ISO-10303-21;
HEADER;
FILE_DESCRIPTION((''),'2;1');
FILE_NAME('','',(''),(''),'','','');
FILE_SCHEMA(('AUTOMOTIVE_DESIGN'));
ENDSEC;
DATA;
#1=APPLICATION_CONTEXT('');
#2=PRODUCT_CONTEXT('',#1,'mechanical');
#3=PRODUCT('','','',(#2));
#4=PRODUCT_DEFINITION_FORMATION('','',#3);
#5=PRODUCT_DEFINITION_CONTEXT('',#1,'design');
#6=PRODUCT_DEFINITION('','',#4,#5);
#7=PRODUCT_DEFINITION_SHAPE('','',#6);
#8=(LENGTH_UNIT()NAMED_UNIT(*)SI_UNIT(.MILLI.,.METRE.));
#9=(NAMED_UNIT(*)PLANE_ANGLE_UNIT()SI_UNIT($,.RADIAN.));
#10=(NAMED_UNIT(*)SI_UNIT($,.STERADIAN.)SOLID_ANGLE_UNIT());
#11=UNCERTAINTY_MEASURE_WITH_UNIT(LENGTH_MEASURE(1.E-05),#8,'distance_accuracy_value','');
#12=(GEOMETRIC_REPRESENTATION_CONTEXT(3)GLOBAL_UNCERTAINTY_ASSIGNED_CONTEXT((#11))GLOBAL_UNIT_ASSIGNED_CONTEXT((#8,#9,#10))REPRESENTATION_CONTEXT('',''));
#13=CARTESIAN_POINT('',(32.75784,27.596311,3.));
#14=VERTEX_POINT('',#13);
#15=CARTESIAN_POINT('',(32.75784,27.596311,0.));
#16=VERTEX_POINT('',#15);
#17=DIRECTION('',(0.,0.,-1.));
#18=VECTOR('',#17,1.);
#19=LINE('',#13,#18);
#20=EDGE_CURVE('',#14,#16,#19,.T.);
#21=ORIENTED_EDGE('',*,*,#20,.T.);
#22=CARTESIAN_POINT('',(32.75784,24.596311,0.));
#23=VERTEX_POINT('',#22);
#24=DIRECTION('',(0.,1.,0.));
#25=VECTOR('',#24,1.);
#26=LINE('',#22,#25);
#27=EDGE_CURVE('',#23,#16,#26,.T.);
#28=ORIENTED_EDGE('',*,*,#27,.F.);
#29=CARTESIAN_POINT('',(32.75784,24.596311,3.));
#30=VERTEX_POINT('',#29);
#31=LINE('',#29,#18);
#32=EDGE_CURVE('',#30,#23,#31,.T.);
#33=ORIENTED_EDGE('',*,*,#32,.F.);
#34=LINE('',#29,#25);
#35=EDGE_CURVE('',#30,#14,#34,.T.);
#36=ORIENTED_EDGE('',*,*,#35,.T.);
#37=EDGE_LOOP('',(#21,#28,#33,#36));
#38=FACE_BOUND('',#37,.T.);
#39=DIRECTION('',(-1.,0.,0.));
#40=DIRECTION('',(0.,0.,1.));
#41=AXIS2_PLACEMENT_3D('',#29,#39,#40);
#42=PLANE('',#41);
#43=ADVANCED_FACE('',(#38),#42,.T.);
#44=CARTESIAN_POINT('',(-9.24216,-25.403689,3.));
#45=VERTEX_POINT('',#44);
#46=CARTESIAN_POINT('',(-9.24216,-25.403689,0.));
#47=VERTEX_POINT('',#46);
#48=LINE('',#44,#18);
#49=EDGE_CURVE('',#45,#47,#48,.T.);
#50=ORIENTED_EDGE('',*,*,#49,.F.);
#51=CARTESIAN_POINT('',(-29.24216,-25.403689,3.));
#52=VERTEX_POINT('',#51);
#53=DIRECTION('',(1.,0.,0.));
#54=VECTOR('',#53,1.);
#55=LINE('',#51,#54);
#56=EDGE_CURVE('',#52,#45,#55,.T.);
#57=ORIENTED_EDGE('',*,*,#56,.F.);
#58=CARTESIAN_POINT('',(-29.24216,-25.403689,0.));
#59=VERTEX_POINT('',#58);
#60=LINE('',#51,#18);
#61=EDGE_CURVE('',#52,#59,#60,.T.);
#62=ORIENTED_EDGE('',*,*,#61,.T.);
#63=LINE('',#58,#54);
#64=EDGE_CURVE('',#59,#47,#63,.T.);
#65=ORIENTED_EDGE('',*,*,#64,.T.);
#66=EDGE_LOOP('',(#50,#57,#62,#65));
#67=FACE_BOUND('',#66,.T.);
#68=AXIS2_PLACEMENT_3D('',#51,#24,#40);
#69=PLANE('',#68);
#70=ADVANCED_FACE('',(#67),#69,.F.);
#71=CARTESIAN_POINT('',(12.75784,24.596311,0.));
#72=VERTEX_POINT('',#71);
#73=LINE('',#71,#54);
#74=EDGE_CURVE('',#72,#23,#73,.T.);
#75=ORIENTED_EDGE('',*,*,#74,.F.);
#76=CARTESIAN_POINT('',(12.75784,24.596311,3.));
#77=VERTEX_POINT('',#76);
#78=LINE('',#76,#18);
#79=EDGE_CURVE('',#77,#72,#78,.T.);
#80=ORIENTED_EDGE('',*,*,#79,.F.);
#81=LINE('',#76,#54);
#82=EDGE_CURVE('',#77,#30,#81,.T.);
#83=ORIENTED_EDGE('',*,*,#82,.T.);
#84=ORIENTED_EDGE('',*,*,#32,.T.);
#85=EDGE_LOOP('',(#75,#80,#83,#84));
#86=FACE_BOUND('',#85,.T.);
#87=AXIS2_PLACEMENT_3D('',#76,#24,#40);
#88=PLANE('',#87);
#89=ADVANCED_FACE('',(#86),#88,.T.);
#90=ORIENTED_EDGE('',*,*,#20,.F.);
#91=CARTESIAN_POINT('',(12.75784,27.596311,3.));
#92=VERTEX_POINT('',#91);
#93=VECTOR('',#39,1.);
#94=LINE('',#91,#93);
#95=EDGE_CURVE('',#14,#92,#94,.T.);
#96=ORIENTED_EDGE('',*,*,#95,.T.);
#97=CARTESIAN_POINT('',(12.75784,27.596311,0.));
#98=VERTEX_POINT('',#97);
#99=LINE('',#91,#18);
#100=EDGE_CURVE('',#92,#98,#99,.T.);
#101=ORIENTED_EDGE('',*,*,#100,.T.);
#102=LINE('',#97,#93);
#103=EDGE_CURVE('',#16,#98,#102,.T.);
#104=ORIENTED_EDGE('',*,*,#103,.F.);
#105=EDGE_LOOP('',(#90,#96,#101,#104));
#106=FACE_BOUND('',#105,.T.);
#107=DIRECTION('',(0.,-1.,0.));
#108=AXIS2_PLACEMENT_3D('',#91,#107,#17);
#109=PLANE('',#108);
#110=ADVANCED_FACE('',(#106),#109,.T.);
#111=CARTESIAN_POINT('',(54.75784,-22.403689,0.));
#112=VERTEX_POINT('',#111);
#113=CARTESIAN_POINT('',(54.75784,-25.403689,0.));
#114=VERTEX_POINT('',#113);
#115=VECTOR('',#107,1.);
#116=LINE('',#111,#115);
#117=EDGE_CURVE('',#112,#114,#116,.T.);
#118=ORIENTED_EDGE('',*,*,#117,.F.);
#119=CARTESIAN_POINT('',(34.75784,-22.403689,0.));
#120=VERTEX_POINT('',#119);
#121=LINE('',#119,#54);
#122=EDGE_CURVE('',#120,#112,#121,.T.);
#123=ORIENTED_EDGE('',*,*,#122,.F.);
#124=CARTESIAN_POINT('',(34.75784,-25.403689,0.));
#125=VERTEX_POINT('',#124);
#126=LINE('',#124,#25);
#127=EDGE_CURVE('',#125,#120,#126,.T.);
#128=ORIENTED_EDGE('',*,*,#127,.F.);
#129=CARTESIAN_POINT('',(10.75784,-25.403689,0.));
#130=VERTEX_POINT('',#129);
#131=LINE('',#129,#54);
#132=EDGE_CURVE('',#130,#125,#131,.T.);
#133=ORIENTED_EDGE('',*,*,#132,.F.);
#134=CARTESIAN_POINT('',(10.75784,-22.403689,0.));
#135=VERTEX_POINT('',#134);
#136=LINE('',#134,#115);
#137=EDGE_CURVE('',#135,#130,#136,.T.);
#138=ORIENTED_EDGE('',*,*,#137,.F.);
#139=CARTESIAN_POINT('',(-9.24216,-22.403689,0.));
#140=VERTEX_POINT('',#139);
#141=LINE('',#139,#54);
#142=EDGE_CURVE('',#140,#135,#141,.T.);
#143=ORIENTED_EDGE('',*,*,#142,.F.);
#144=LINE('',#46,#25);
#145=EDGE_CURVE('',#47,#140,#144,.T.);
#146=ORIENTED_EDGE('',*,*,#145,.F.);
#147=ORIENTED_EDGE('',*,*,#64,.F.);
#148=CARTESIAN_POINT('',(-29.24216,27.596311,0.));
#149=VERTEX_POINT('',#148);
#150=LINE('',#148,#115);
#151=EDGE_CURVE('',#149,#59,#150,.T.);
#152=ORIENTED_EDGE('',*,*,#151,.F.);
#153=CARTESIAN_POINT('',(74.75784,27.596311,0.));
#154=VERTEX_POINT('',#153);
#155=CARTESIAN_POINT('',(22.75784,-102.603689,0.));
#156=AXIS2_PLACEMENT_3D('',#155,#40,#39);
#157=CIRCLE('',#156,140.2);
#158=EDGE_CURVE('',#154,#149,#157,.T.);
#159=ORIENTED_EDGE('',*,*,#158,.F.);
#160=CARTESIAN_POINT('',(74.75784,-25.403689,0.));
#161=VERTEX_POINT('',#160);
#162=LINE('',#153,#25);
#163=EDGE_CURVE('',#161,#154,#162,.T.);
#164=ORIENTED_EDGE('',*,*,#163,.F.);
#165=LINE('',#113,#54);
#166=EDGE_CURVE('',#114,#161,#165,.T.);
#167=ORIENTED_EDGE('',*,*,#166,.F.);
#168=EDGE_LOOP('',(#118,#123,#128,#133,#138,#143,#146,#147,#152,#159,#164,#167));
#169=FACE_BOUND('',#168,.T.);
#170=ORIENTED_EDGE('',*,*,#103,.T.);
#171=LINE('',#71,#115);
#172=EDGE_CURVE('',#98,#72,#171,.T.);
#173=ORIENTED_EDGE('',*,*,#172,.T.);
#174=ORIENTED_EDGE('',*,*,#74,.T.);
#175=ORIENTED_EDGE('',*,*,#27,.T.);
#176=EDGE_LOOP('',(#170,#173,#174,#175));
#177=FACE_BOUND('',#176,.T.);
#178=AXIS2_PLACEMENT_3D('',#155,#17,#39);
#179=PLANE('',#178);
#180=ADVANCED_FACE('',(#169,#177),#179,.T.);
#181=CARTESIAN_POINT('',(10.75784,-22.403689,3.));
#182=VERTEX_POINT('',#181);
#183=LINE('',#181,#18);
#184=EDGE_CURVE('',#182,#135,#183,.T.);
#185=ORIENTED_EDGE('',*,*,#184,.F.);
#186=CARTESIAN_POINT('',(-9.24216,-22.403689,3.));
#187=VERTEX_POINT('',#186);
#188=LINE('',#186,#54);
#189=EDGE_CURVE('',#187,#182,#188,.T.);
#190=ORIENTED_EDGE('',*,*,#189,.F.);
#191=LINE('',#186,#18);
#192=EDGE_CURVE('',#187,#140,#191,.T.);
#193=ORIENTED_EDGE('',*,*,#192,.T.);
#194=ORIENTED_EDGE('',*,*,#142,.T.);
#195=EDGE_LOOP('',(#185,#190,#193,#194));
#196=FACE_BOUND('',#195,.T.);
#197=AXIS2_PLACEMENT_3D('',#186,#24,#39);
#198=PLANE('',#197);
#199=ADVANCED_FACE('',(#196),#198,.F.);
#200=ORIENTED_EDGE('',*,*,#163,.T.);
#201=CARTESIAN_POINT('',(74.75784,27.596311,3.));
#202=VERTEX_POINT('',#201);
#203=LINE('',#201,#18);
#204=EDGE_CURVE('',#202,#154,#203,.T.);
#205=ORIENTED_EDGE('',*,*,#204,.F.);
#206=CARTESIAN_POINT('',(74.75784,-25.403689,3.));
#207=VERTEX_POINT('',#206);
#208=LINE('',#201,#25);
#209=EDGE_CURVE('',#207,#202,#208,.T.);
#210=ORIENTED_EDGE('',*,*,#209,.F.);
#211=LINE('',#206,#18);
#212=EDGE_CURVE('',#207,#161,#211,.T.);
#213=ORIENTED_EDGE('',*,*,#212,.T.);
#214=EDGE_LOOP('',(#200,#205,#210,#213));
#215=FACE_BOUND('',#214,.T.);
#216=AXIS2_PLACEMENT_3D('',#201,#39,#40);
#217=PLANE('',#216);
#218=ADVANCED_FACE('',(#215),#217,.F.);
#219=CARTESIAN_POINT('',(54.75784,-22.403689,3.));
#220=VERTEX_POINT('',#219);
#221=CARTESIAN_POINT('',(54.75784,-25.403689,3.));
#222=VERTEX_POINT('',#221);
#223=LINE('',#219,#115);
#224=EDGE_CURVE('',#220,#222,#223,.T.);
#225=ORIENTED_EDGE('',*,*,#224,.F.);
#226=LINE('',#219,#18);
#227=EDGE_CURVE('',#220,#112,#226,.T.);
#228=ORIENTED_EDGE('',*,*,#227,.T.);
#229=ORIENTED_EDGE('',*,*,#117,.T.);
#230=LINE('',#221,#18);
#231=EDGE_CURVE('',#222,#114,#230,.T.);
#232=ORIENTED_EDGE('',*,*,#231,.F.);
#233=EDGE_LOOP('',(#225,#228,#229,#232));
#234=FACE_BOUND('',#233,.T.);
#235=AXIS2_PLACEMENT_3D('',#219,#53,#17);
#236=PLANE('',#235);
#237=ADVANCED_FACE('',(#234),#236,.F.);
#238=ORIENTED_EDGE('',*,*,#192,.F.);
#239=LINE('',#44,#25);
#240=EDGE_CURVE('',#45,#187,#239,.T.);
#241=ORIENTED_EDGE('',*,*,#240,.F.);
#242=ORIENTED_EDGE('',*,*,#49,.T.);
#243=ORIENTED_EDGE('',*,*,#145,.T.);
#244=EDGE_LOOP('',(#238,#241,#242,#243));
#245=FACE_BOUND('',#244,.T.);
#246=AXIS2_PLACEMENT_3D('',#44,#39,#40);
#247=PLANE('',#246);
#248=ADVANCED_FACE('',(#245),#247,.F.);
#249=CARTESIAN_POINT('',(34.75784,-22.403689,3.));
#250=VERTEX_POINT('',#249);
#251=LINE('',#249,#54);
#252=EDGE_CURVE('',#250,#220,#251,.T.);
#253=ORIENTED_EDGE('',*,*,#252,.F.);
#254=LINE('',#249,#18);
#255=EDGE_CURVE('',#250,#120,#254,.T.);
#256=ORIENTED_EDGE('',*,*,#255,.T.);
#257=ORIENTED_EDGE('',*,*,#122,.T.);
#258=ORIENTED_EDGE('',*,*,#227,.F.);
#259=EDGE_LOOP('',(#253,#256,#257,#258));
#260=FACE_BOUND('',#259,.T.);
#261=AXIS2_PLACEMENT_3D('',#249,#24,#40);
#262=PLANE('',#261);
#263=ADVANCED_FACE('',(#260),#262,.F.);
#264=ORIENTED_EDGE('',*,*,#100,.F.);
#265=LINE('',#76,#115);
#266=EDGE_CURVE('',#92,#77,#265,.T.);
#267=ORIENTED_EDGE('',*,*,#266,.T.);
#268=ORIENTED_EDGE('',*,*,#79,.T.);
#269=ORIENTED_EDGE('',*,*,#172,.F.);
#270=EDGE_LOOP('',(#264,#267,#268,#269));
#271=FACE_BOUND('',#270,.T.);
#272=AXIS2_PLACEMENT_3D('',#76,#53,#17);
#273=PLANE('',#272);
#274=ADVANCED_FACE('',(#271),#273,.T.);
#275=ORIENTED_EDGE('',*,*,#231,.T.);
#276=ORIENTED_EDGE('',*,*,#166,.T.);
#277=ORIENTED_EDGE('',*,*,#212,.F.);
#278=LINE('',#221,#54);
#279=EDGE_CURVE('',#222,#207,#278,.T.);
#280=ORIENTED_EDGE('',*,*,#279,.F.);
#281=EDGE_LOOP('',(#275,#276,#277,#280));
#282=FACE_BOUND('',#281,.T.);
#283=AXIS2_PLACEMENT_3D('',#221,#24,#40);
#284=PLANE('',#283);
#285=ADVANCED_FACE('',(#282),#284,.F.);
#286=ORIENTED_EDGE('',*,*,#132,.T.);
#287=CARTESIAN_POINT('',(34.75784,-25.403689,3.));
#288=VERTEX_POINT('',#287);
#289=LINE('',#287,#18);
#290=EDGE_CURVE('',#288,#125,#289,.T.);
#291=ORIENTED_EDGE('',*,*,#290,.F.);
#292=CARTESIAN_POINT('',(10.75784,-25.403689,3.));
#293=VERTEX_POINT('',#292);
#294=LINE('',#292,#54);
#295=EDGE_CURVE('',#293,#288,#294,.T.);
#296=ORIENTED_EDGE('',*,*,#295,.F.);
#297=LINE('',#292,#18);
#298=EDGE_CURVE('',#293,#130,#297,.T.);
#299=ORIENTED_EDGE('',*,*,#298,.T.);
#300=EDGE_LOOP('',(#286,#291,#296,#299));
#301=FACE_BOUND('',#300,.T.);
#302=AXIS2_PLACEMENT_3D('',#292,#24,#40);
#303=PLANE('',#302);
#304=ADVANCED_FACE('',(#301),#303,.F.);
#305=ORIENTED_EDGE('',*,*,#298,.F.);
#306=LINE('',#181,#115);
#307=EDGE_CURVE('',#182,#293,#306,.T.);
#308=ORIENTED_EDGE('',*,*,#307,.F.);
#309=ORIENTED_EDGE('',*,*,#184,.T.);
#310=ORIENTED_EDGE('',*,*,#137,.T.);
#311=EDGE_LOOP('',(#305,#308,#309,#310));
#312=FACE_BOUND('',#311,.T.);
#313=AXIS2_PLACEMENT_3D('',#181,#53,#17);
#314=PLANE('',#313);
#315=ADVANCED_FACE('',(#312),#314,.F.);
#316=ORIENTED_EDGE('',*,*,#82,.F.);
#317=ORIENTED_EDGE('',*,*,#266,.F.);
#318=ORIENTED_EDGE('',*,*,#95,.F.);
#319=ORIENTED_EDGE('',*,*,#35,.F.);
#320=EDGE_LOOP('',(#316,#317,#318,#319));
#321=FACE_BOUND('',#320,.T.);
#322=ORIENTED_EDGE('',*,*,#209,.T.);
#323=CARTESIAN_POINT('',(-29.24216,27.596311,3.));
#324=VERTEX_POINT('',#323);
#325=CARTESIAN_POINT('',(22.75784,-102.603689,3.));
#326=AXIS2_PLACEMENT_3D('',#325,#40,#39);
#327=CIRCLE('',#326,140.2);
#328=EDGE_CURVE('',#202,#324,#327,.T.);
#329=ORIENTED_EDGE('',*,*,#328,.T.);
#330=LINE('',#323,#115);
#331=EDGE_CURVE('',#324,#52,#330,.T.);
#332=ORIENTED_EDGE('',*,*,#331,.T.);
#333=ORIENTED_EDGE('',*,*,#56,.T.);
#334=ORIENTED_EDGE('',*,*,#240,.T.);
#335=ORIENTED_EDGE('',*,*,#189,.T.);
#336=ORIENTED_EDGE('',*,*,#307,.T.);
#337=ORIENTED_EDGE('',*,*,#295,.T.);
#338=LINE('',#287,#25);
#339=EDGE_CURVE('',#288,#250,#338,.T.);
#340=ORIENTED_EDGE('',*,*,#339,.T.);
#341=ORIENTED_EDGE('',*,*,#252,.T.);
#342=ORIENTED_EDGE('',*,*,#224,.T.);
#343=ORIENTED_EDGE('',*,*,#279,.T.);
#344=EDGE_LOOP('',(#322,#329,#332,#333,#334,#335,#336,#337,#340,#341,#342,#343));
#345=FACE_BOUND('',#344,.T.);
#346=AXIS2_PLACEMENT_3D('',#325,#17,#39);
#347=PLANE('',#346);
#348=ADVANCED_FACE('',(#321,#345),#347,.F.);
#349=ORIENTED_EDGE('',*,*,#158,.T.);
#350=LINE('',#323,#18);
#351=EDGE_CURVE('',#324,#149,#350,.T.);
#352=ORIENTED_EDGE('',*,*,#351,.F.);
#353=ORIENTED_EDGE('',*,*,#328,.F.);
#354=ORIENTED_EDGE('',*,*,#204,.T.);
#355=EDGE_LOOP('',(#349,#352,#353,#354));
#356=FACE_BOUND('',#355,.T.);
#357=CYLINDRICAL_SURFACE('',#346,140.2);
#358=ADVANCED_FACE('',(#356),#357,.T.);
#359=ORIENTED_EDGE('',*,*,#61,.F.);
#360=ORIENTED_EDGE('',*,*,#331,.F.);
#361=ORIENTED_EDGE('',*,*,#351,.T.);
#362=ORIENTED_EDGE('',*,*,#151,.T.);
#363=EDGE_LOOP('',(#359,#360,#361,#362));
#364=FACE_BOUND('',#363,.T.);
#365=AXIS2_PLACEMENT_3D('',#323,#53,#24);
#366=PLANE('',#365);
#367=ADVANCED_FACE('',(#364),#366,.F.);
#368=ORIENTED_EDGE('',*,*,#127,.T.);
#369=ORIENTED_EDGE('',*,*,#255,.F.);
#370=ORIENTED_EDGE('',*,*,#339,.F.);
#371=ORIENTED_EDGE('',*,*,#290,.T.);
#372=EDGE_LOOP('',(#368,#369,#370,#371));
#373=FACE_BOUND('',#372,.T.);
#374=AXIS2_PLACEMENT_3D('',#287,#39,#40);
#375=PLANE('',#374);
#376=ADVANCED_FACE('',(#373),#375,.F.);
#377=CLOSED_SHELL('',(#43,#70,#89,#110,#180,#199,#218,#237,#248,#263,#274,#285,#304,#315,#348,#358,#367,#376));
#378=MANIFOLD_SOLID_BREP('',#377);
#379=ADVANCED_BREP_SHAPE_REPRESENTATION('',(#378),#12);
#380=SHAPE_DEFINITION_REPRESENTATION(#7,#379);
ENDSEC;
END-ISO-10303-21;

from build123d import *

# Parameters (mm, degrees)
SKETCH1_W           = 20
SKETCH1_H           = 3
BOSS_EXTRUDE1_DEPTH = 3


with BuildPart() as part:
    # Sketch1 → Boss-Extrude1 (new body)
    with BuildSketch(Plane.XY):
        with BuildLine():
            Line((-9.242159986, -25.403689193), (-9.242159986, -22.403689193))
            Line((-9.242159986, -22.403689193), (10.757840014, -22.403689193))
            Line((10.757840014, -22.403689193), (10.757840014, -25.403689193))
            Line((10.757840014, -25.403689193), (34.757840014, -25.403689193))
            Line((34.757840014, -25.403689193), (34.757840014, -22.403689193))
            Line((34.757840014, -22.403689193), (54.757840014, -22.403689193))
            Line((54.757840014, -22.403689193), (54.757840014, -25.403689193))
            Line((54.757840014, -25.403689193), (74.757840014, -25.403689193))
            Line((74.757840014, -25.403689193), (74.757840014, 27.596310807))
            ThreePointArc((74.757840014, 27.596310807), (22.757840014, 37.596310807), (-29.242159986, 27.596310807))
            Line((-29.242159986, 27.596310807), (-29.242159986, -25.403689193))
            Line((-29.242159986, -25.403689193), (-9.242159986, -25.403689193))
        make_face()
        with Locations((22.757840014, 26.096310807)):
            Rectangle(SKETCH1_W, SKETCH1_H, mode=Mode.SUBTRACT)
    extrude(amount=BOSS_EXTRUDE1_DEPTH)


solid = part.part
